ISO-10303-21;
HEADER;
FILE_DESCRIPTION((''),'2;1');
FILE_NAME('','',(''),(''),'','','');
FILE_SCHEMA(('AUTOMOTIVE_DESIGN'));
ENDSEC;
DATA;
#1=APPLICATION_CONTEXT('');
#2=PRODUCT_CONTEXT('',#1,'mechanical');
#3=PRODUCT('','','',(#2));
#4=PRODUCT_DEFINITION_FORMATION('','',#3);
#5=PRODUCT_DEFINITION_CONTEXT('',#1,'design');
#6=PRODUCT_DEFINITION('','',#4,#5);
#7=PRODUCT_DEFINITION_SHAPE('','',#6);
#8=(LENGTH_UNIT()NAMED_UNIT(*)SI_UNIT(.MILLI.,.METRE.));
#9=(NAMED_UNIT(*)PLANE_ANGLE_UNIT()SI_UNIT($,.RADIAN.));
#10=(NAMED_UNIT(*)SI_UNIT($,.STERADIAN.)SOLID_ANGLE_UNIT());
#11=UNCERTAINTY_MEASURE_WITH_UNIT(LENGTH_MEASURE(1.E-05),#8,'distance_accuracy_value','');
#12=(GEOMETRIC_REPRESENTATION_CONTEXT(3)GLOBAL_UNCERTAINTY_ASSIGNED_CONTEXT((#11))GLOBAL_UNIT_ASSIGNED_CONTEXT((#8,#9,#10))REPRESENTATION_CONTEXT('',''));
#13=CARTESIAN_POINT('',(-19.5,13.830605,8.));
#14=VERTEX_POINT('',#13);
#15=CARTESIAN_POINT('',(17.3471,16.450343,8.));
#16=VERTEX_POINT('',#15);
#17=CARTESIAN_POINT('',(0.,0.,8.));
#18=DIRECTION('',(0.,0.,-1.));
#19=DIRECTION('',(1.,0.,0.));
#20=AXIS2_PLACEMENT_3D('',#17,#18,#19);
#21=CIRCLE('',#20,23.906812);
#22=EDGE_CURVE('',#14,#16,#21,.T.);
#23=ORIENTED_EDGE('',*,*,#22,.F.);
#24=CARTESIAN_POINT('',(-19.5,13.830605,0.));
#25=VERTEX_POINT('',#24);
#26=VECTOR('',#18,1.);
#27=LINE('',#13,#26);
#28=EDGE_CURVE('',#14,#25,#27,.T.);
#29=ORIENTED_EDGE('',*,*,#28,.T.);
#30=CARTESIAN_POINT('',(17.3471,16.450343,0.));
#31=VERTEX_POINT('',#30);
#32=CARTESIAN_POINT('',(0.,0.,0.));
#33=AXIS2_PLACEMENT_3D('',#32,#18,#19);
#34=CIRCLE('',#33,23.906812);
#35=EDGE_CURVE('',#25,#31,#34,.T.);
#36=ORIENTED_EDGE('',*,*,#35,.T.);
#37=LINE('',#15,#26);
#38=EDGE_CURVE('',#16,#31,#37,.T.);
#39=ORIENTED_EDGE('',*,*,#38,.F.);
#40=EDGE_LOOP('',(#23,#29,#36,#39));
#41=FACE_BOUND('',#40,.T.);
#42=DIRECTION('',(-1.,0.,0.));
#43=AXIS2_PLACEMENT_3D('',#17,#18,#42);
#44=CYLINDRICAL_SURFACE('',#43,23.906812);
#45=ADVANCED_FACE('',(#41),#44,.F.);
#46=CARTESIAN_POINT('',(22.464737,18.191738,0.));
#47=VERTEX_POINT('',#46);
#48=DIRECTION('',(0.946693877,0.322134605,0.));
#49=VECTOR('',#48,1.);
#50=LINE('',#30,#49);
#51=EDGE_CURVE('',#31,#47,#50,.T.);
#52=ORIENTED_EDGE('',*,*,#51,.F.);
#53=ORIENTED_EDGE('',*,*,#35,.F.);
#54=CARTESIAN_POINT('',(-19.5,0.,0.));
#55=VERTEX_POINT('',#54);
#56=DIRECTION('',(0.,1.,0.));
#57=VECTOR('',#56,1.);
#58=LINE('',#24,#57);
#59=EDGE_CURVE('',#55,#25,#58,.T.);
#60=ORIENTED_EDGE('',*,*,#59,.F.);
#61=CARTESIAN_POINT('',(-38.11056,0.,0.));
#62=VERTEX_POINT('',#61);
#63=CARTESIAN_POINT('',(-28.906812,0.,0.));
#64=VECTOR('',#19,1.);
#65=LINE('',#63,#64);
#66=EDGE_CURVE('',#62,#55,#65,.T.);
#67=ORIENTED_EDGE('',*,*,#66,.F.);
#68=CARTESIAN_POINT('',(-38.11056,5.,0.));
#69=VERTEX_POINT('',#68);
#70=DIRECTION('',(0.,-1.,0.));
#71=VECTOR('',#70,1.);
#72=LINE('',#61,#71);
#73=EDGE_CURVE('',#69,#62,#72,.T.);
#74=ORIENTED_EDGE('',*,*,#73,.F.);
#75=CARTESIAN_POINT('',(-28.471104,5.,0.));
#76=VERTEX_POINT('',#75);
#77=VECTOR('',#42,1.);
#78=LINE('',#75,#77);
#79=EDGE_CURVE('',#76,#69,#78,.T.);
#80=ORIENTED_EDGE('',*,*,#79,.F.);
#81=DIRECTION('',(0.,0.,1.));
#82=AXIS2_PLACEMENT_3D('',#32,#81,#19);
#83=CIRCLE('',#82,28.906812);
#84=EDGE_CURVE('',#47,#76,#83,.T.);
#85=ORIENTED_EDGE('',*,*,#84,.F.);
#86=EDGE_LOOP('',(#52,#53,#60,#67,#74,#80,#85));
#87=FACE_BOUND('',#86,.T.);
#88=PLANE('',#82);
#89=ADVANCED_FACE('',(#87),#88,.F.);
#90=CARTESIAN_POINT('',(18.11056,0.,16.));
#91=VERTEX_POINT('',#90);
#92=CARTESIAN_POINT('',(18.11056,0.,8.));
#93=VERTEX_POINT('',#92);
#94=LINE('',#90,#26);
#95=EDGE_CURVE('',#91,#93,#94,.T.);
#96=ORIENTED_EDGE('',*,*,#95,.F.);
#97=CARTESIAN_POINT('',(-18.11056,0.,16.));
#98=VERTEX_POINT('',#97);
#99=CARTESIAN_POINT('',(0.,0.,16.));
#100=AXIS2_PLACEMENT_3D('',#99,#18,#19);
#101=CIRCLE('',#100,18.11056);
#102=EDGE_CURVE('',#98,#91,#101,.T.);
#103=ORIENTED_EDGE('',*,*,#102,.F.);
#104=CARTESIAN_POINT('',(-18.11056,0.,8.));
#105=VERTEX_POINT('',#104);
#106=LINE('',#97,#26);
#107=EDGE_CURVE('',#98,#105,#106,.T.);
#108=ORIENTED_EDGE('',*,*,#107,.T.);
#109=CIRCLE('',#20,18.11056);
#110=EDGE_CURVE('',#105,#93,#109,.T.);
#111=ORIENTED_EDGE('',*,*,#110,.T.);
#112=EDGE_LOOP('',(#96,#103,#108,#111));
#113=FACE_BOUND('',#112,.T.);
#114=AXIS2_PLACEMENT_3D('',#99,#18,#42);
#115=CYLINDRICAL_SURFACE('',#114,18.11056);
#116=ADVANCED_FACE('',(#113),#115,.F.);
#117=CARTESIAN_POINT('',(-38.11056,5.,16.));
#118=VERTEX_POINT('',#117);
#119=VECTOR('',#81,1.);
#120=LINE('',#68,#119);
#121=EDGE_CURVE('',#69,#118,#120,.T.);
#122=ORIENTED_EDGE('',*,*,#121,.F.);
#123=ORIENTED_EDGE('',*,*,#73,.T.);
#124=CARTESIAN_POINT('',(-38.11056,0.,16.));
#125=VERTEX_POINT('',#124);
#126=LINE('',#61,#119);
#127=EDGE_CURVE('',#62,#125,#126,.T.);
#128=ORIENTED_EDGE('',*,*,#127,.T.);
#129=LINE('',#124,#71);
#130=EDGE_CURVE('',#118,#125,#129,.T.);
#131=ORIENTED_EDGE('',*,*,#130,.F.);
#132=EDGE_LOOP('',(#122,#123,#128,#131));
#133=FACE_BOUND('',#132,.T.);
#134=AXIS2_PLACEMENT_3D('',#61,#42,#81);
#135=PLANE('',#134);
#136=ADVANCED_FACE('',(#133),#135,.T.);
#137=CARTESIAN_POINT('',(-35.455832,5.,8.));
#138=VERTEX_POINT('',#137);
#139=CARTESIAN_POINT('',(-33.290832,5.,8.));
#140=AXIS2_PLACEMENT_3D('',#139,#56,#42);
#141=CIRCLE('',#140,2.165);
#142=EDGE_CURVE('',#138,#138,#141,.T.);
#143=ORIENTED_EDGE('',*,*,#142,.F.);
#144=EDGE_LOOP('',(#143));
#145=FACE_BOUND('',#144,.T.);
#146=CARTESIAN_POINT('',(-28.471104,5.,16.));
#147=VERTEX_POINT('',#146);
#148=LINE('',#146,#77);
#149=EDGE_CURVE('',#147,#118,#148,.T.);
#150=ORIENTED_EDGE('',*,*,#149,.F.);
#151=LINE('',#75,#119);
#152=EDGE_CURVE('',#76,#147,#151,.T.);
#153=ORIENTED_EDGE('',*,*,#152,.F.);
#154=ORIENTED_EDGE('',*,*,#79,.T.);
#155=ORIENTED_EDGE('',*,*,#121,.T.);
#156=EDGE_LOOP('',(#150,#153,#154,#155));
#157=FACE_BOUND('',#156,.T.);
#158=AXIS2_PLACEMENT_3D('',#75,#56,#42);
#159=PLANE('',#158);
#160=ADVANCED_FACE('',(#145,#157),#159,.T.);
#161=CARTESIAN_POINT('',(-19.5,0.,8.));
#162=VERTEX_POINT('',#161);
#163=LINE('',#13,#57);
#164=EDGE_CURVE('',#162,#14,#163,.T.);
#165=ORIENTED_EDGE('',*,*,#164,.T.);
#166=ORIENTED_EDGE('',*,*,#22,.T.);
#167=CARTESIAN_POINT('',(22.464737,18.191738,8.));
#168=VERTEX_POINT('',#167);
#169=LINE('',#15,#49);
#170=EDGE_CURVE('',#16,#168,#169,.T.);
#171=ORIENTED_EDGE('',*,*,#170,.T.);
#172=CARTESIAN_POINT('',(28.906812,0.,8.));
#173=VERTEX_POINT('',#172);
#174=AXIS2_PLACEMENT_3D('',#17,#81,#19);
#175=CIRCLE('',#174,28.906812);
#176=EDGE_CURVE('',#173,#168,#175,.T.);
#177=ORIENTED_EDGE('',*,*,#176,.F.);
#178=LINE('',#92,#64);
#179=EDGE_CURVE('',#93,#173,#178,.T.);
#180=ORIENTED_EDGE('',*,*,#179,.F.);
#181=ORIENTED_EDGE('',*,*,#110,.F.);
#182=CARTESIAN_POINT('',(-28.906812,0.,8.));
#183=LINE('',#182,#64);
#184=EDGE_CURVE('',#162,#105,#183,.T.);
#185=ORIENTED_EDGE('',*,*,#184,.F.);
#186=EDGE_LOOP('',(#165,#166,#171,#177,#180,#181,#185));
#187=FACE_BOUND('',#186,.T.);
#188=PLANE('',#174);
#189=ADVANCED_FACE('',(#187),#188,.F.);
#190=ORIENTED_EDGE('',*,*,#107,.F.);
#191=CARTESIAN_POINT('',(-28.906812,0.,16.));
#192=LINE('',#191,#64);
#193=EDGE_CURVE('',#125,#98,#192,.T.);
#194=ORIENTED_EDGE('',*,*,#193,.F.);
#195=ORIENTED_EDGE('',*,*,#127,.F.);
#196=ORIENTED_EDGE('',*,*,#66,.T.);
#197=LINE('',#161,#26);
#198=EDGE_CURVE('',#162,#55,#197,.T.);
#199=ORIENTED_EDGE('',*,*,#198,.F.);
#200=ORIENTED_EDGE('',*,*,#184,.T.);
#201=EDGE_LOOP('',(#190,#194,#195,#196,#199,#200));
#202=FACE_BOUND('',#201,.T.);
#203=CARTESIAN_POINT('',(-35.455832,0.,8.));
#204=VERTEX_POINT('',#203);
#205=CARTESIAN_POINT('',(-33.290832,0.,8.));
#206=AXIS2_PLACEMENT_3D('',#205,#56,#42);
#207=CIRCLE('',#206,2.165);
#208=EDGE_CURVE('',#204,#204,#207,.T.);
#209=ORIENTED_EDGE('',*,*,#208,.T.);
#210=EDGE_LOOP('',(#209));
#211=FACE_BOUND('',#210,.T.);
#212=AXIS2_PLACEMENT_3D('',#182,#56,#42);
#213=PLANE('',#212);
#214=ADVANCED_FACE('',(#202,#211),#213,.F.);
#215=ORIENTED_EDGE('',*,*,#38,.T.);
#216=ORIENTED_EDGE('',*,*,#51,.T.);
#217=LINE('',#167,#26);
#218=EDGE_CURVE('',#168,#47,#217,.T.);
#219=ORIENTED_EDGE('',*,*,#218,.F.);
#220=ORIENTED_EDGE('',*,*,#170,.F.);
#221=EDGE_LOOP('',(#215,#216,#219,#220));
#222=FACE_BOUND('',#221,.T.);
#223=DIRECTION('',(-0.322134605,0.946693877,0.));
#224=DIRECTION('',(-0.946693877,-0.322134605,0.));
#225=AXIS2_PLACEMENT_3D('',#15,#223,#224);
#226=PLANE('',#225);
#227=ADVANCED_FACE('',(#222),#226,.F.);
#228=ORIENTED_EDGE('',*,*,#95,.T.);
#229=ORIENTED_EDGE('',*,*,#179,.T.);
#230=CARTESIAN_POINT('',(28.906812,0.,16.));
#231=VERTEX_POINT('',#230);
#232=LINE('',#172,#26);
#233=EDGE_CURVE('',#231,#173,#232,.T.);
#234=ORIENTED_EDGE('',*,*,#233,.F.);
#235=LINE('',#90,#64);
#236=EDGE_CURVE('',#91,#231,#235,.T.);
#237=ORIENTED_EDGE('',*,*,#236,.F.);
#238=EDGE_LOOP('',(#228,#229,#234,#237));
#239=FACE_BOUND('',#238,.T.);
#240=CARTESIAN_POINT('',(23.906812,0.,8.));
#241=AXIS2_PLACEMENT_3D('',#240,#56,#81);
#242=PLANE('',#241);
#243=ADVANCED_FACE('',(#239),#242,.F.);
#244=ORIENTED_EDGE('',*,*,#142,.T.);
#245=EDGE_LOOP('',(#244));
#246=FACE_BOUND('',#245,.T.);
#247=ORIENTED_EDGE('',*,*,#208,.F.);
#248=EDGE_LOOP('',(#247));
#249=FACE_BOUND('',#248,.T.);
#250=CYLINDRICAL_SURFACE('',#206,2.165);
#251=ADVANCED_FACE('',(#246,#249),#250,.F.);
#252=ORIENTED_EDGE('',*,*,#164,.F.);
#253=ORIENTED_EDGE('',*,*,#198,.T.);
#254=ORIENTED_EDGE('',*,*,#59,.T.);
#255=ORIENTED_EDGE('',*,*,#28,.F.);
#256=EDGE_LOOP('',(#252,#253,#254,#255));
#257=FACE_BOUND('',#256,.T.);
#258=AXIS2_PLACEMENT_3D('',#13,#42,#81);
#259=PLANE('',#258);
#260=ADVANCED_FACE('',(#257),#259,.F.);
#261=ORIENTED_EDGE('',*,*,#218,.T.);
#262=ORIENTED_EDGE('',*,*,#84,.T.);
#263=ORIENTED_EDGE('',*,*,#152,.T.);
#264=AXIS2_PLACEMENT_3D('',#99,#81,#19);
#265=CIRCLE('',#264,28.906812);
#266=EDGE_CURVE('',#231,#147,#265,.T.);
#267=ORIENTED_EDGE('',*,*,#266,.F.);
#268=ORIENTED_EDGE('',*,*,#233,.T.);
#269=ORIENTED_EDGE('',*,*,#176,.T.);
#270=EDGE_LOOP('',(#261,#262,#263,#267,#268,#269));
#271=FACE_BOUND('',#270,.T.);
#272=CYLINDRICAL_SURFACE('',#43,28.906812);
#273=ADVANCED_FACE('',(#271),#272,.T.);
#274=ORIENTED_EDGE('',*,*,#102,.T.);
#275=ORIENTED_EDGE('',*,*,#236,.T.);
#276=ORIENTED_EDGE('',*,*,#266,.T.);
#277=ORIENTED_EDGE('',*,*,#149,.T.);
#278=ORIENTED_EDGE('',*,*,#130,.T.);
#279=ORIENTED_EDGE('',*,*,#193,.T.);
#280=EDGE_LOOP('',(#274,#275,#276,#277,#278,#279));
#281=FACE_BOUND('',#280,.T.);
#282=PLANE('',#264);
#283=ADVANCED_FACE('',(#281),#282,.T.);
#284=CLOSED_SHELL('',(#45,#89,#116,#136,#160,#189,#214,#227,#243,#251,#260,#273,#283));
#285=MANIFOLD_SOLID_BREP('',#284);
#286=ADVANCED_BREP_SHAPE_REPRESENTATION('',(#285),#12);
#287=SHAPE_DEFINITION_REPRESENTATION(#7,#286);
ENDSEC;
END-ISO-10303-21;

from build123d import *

# Parameters (mm, degrees)
BOSS_EXTRUDE1_DEPTH = 8
BOSS_EXTRUDE2_DEPTH = 8
BOSS_EXTRUDE3_DEPTH = 16
SKETCH4_R           = 2.165
CUT_EXTRUDE1_DEPTH  = 48.748826419
CUT_EXTRUDE2_DEPTH  = 8


with BuildPart() as part:
    # Sketch1 → Boss-Extrude1 (new body)
    with BuildSketch(Plane.XY):
        with BuildLine():
            Line((-19.5, 13.830605225), (-19.5, 0))
            Line((-19.5, 0), (-28.9068116, 0))
            ThreePointArc((-28.9068116, 0), (0, 28.9068116), (28.9068116, 0))
            Line((28.9068116, 0), (23.9068116, 0))
            ThreePointArc((23.9068116, 0), (7.257851427, 22.778481809), (-19.5, 13.830605225))
        make_face()
    extrude(amount=BOSS_EXTRUDE1_DEPTH)

    # Sketch2 → Boss-Extrude2 (add)
    with BuildSketch(Plane.XY.offset(8)):
        with BuildLine():
            Line((-28.9068116, 0), (-18.11056, 0))
            ThreePointArc((-18.11056, 0), (0, 18.11056), (18.11056, 0))
            Line((18.11056, 0), (28.9068116, 0))
            ThreePointArc((28.9068116, 0), (0, 28.9068116), (-28.9068116, 0))
        make_face()
    extrude(amount=BOSS_EXTRUDE2_DEPTH)

    # Sketch3 → Boss-Extrude3 (add, through all)
    with BuildSketch(Plane.XY.offset(16)):
        with BuildLine():
            Line((-28.9068116, 0), (-38.11056, 0))
            Line((-38.11056, 0), (-38.11056, 5))
            Line((-38.11056, 5), (-28.471103893, 5))
            ThreePointArc((-28.471103893, 5), (-28.797678666, 2.509474109), (-28.9068116, 0))
        make_face()
    extrude(amount=-BOSS_EXTRUDE3_DEPTH)

    # Sketch4 → Cut-Extrude1 (cut, through all)
    with BuildSketch(Plane(origin=(0, 5, 0), x_dir=(1, 0, 0), z_dir=(0, 1, 0))):
        with Locations(Location((-33.290831946, -8, 0), (0, 0, 180))):
            Circle(SKETCH4_R)
    extrude(amount=-CUT_EXTRUDE1_DEPTH, mode=Mode.SUBTRACT)

    # Sketch5 → Cut-Extrude2 (cut)
    with BuildSketch(Plane(origin=(0, 0, 0), x_dir=(-1, 0, 0), z_dir=(0, 0, -1))):
        Polygon((0, 0), (-17.347099568, 16.450342776), (-43.024104882, 25.187540913), (-58.13318285, -8.31229871), align=None)
    extrude(amount=-CUT_EXTRUDE2_DEPTH, mode=Mode.SUBTRACT)


solid = part.part
